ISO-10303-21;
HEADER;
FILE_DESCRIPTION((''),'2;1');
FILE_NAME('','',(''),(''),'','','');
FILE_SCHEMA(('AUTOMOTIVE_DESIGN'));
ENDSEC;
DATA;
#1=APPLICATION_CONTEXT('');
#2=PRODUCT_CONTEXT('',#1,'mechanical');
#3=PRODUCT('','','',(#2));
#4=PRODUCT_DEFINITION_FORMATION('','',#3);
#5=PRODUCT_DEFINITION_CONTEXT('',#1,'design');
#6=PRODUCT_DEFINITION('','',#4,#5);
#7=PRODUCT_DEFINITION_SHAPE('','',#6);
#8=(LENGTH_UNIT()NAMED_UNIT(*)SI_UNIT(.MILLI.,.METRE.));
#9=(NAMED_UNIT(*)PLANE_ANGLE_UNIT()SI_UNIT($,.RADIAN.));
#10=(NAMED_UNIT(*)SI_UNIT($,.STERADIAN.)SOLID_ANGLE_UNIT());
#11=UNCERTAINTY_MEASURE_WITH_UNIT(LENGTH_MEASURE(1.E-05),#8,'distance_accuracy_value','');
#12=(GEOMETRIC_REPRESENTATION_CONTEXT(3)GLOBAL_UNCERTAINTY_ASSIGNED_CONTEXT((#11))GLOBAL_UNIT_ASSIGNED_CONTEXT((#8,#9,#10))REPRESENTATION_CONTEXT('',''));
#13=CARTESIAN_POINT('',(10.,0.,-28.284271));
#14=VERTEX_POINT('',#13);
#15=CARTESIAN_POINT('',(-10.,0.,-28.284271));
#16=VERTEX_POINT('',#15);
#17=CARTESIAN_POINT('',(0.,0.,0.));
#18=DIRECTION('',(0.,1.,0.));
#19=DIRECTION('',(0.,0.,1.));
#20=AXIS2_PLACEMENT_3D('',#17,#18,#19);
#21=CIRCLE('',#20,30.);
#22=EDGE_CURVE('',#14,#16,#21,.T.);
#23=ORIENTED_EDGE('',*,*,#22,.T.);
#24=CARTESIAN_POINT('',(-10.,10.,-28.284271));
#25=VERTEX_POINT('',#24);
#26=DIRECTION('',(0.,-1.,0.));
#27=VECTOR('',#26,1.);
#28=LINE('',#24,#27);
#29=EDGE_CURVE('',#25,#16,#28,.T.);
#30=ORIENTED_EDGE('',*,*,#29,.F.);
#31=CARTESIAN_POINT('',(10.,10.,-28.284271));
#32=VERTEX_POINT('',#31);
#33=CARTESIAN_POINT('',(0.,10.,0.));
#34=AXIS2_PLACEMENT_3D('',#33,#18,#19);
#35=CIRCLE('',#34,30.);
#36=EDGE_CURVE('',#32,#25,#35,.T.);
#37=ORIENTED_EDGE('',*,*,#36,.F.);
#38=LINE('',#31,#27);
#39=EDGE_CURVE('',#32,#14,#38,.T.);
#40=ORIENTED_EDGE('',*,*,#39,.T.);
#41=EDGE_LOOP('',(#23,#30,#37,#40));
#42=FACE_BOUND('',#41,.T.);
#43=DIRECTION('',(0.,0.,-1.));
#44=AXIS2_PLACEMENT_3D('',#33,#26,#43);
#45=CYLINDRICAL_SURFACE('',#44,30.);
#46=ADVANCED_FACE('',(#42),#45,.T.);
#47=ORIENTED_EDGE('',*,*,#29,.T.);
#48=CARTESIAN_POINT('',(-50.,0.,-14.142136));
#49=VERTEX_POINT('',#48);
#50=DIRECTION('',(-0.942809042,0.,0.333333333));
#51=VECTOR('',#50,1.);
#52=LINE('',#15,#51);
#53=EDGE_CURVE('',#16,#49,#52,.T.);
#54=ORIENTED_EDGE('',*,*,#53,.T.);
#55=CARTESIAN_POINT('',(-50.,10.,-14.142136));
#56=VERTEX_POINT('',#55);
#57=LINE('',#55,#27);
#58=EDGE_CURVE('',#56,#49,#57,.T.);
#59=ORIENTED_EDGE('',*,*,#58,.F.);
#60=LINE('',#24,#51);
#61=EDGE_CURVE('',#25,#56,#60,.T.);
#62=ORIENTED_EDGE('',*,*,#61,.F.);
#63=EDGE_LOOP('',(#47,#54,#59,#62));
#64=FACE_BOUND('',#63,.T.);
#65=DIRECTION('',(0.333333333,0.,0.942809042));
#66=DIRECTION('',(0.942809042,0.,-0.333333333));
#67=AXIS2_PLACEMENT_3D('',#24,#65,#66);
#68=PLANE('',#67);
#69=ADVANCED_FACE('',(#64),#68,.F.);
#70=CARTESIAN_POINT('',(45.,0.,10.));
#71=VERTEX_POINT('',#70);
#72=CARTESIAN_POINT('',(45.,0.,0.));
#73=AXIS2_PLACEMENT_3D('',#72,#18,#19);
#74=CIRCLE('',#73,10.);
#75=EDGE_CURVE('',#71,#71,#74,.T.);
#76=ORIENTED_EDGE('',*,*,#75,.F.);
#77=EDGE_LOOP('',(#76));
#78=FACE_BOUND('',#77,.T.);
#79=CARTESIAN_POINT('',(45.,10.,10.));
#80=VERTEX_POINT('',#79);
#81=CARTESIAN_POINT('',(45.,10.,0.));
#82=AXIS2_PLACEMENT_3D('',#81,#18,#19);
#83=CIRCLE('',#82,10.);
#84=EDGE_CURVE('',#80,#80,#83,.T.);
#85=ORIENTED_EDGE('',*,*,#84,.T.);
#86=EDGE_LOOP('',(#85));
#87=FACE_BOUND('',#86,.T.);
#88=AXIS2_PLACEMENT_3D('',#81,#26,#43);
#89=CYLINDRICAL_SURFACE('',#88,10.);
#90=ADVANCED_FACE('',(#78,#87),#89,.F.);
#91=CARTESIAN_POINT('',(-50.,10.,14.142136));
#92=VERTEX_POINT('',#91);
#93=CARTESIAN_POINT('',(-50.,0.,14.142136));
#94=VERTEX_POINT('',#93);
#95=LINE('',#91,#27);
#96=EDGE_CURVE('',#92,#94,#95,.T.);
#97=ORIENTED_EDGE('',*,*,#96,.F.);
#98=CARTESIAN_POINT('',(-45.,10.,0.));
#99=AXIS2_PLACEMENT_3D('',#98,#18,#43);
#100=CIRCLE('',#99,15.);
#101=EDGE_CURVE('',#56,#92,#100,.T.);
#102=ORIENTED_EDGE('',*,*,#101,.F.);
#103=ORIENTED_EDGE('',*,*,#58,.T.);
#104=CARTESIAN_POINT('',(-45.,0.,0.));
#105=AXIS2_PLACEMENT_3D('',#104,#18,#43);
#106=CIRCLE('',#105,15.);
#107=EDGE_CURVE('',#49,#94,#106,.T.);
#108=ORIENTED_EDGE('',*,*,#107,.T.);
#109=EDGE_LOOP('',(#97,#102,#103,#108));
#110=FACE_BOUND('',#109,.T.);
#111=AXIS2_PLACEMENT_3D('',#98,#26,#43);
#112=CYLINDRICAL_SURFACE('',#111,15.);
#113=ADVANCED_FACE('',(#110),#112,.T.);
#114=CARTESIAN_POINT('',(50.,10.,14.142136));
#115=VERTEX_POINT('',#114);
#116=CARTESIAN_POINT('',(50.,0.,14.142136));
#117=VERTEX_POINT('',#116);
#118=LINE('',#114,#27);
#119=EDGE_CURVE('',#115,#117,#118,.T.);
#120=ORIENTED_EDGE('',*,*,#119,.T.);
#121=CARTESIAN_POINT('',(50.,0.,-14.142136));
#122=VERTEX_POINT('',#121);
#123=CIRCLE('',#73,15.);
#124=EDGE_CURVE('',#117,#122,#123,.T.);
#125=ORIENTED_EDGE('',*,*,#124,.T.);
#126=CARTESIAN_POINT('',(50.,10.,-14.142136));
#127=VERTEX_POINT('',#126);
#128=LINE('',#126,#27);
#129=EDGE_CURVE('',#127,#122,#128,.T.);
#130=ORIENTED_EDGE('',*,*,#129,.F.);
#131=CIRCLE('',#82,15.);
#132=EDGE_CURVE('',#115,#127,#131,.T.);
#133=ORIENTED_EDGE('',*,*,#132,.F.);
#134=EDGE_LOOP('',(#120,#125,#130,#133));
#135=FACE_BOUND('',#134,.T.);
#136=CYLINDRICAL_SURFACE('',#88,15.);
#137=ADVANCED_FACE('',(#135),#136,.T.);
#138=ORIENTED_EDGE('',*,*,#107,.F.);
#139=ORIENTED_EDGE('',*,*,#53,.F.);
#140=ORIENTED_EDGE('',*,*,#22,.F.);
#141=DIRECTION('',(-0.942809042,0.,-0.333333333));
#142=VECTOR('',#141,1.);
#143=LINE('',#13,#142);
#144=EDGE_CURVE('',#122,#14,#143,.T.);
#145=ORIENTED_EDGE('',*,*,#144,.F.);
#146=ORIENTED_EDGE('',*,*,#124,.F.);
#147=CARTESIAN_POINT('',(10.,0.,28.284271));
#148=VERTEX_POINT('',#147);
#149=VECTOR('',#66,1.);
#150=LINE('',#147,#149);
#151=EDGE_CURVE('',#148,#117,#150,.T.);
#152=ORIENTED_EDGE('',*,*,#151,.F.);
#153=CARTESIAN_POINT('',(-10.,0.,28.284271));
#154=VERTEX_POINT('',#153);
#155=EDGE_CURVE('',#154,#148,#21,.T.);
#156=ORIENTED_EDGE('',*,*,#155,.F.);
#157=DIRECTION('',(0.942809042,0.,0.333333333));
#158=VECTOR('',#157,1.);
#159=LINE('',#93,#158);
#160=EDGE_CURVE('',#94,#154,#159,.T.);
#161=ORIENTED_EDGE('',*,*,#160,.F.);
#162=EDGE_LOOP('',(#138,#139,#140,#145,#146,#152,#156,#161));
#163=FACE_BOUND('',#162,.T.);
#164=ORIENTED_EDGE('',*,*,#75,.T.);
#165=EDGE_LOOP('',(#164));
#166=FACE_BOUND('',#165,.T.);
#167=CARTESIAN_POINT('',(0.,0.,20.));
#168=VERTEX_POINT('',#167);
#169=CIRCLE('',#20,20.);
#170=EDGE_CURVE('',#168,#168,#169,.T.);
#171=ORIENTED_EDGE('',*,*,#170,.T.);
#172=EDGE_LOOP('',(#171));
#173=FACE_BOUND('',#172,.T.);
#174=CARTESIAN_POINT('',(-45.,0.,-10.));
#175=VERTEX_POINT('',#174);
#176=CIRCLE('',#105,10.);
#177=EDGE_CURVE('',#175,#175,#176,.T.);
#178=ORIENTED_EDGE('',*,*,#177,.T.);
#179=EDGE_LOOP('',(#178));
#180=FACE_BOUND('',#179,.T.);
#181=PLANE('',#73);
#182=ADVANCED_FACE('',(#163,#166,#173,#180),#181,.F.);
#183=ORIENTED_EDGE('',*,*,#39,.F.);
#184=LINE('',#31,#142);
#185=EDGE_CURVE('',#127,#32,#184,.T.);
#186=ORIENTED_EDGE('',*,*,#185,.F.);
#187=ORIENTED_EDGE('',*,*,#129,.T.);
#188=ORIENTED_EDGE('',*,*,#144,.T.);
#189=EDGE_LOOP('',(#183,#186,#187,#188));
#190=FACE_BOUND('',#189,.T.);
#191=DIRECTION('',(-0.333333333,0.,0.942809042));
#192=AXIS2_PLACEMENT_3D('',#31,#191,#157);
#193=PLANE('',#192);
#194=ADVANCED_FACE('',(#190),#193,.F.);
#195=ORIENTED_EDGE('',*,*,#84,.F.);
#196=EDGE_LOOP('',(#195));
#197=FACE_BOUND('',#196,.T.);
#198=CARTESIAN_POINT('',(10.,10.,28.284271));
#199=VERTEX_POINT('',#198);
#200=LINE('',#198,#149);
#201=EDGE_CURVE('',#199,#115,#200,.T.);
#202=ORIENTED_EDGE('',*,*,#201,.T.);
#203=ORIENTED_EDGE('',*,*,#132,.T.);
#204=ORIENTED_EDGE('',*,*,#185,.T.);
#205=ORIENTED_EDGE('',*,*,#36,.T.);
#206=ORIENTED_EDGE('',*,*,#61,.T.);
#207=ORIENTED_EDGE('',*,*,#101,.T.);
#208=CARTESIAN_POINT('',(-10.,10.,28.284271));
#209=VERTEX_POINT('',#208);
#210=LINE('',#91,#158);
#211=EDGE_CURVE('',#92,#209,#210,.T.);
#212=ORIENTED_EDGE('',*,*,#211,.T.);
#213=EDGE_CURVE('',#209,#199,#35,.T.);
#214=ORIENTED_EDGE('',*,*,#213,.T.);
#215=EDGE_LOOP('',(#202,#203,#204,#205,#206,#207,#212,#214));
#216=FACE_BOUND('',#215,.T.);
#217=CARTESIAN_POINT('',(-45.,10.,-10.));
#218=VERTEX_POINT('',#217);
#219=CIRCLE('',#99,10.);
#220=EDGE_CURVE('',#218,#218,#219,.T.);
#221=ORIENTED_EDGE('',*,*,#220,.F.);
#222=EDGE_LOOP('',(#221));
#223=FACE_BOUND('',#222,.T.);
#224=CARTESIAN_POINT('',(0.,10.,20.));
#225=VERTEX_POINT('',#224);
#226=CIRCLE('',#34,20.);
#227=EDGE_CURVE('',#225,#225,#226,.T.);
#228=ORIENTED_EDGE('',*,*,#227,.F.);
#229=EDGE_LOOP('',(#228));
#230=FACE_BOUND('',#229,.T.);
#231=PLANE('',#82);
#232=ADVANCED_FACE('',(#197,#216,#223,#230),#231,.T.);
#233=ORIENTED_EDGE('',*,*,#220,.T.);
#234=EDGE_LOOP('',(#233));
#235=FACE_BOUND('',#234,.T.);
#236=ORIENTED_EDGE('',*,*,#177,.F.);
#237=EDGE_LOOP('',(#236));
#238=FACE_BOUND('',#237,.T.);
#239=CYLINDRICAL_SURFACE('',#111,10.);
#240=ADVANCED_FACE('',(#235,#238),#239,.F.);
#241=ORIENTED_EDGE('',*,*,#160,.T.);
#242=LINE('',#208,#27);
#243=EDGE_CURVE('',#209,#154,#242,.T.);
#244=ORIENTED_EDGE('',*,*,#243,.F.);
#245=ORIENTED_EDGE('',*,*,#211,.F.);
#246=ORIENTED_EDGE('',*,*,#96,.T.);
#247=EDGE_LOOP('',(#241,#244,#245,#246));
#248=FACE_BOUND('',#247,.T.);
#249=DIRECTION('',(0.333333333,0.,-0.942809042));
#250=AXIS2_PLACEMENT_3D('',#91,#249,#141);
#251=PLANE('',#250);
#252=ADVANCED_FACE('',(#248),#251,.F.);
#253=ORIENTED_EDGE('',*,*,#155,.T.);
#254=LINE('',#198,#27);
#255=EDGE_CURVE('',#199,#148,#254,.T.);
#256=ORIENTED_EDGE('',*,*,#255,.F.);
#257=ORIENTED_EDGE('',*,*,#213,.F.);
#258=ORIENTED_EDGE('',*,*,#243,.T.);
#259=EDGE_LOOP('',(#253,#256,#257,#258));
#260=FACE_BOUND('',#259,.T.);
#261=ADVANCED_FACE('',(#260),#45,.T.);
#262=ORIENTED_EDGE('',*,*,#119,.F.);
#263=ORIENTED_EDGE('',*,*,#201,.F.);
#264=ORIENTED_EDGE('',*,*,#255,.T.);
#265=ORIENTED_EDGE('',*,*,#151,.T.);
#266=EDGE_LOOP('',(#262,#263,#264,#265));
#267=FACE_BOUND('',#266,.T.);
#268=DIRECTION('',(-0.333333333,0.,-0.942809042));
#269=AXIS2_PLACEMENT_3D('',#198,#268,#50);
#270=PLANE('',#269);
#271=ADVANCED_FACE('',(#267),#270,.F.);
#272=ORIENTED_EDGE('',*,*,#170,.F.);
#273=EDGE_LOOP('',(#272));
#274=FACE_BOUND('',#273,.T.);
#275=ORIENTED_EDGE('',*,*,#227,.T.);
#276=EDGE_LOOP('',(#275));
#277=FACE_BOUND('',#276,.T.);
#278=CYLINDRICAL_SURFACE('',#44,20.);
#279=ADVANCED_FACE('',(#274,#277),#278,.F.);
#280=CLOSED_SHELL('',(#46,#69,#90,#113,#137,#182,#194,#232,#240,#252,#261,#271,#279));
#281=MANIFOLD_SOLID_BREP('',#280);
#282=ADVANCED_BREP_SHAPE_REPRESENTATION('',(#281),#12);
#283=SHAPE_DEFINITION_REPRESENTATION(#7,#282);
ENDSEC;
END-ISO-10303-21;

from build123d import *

# Parameters (mm, degrees)
SKETCH1_R           = 20
SKETCH1_R_2         = 10
BOSS_EXTRUDE1_DEPTH = 10


with BuildPart() as part:
    # Sketch1 → Boss-Extrude1 (new body)
    with BuildSketch(Plane(origin=(0, 0, 0), x_dir=(1, 0, 0), z_dir=(0, 1, 0))):
        with BuildLine():
            Line((10, 28.284271247), (50, 14.142135624))
            ThreePointArc((50, 14.142135624), (60, 0), (50, -14.142135624))
            Line((50, -14.142135624), (10, -28.284271247))
            ThreePointArc((10, -28.284271247), (0, -30), (-10, -28.284271247))
            Line((-10, -28.284271247), (-50, -14.142135624))
            ThreePointArc((-50, -14.142135624), (-60, 0), (-50, 14.142135624))
            Line((-50, 14.142135624), (-10, 28.284271247))
            ThreePointArc((-10, 28.284271247), (0, 30), (10, 28.284271247))
        make_face()
        with Locations(Location((0, 0, 0), (0, 0, 270))):
            Circle(SKETCH1_R, mode=Mode.SUBTRACT)
        with Locations(Location((45, 0, 0), (0, 0, 270))):
            Circle(SKETCH1_R_2, mode=Mode.SUBTRACT)
        with Locations(Location((-45, 0, 0), (0, 0, 90))):
            Circle(SKETCH1_R_2, mode=Mode.SUBTRACT)
    extrude(amount=BOSS_EXTRUDE1_DEPTH)


solid = part.part
